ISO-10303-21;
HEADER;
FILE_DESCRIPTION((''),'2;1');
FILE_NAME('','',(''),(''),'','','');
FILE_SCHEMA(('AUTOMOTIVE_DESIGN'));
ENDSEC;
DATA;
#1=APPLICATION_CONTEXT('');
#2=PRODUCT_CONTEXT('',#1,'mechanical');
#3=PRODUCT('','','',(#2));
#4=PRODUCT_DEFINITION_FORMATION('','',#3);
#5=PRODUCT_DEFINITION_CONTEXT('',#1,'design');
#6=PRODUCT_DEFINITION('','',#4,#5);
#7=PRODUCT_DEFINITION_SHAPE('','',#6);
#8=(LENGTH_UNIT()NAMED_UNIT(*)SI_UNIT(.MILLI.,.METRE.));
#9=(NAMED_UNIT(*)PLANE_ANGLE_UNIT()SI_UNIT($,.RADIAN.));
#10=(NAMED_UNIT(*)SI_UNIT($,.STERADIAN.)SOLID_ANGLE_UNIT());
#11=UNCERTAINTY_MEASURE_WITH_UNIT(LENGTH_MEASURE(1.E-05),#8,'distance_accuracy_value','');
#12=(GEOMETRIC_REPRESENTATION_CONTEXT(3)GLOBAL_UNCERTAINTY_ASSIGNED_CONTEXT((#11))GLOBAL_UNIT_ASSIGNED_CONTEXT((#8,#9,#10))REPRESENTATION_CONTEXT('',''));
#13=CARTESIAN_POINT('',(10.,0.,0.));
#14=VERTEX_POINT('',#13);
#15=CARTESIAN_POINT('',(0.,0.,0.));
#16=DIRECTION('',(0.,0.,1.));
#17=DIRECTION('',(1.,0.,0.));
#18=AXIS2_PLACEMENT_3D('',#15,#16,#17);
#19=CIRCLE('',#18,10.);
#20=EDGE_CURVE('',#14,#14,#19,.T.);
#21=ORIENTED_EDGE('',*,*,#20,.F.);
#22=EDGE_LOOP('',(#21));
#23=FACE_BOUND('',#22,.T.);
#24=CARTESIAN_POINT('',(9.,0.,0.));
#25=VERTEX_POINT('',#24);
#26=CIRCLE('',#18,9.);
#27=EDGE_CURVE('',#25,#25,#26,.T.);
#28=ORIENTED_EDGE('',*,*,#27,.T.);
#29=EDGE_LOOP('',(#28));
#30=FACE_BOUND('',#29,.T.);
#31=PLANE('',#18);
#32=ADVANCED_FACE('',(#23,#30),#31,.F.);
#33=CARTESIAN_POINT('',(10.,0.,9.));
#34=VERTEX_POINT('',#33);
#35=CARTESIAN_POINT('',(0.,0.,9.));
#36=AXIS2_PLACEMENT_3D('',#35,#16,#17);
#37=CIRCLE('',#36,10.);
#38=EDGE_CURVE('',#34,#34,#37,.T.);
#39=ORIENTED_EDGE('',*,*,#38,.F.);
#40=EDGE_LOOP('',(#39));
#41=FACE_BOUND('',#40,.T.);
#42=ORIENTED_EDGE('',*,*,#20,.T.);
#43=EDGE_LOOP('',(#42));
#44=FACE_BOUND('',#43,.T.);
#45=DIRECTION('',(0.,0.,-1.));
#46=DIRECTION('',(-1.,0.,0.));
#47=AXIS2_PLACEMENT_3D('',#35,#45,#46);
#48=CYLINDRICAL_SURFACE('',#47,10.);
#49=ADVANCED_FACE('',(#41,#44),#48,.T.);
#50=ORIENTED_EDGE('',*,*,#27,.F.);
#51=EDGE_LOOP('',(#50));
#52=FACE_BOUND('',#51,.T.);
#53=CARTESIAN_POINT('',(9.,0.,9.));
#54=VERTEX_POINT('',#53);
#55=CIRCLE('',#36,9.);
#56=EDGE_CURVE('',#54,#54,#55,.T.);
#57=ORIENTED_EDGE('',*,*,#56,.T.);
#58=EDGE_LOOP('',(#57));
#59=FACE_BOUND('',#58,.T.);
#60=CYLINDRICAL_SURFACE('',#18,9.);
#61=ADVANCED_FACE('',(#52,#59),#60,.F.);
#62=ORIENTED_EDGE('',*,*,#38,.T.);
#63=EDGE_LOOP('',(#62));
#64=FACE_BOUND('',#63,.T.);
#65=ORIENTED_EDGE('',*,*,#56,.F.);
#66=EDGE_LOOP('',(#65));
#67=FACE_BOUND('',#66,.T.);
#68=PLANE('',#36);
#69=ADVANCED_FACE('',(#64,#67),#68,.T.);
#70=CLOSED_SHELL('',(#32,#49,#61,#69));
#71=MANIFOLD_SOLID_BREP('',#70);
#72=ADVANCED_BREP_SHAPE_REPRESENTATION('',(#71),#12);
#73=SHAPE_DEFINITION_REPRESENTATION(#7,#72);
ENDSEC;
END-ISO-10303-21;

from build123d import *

# Parameters (mm, degrees)
SKETCH1_R           = 10
BOSS_EXTRUDE1_DEPTH = 9
SKETCH2_R           = 9
CUT_EXTRUDE1_DEPTH  = 9


with BuildPart() as part:
    # Sketch1 → Boss-Extrude1 (new body)
    with BuildSketch(Plane.XY):
        Circle(SKETCH1_R)
    extrude(amount=BOSS_EXTRUDE1_DEPTH)

    # Sketch2 → Cut-Extrude1 (cut)
    with BuildSketch(Plane.XY.offset(9)):
        Circle(SKETCH2_R)
    extrude(amount=-CUT_EXTRUDE1_DEPTH, mode=Mode.SUBTRACT)


solid = part.part
